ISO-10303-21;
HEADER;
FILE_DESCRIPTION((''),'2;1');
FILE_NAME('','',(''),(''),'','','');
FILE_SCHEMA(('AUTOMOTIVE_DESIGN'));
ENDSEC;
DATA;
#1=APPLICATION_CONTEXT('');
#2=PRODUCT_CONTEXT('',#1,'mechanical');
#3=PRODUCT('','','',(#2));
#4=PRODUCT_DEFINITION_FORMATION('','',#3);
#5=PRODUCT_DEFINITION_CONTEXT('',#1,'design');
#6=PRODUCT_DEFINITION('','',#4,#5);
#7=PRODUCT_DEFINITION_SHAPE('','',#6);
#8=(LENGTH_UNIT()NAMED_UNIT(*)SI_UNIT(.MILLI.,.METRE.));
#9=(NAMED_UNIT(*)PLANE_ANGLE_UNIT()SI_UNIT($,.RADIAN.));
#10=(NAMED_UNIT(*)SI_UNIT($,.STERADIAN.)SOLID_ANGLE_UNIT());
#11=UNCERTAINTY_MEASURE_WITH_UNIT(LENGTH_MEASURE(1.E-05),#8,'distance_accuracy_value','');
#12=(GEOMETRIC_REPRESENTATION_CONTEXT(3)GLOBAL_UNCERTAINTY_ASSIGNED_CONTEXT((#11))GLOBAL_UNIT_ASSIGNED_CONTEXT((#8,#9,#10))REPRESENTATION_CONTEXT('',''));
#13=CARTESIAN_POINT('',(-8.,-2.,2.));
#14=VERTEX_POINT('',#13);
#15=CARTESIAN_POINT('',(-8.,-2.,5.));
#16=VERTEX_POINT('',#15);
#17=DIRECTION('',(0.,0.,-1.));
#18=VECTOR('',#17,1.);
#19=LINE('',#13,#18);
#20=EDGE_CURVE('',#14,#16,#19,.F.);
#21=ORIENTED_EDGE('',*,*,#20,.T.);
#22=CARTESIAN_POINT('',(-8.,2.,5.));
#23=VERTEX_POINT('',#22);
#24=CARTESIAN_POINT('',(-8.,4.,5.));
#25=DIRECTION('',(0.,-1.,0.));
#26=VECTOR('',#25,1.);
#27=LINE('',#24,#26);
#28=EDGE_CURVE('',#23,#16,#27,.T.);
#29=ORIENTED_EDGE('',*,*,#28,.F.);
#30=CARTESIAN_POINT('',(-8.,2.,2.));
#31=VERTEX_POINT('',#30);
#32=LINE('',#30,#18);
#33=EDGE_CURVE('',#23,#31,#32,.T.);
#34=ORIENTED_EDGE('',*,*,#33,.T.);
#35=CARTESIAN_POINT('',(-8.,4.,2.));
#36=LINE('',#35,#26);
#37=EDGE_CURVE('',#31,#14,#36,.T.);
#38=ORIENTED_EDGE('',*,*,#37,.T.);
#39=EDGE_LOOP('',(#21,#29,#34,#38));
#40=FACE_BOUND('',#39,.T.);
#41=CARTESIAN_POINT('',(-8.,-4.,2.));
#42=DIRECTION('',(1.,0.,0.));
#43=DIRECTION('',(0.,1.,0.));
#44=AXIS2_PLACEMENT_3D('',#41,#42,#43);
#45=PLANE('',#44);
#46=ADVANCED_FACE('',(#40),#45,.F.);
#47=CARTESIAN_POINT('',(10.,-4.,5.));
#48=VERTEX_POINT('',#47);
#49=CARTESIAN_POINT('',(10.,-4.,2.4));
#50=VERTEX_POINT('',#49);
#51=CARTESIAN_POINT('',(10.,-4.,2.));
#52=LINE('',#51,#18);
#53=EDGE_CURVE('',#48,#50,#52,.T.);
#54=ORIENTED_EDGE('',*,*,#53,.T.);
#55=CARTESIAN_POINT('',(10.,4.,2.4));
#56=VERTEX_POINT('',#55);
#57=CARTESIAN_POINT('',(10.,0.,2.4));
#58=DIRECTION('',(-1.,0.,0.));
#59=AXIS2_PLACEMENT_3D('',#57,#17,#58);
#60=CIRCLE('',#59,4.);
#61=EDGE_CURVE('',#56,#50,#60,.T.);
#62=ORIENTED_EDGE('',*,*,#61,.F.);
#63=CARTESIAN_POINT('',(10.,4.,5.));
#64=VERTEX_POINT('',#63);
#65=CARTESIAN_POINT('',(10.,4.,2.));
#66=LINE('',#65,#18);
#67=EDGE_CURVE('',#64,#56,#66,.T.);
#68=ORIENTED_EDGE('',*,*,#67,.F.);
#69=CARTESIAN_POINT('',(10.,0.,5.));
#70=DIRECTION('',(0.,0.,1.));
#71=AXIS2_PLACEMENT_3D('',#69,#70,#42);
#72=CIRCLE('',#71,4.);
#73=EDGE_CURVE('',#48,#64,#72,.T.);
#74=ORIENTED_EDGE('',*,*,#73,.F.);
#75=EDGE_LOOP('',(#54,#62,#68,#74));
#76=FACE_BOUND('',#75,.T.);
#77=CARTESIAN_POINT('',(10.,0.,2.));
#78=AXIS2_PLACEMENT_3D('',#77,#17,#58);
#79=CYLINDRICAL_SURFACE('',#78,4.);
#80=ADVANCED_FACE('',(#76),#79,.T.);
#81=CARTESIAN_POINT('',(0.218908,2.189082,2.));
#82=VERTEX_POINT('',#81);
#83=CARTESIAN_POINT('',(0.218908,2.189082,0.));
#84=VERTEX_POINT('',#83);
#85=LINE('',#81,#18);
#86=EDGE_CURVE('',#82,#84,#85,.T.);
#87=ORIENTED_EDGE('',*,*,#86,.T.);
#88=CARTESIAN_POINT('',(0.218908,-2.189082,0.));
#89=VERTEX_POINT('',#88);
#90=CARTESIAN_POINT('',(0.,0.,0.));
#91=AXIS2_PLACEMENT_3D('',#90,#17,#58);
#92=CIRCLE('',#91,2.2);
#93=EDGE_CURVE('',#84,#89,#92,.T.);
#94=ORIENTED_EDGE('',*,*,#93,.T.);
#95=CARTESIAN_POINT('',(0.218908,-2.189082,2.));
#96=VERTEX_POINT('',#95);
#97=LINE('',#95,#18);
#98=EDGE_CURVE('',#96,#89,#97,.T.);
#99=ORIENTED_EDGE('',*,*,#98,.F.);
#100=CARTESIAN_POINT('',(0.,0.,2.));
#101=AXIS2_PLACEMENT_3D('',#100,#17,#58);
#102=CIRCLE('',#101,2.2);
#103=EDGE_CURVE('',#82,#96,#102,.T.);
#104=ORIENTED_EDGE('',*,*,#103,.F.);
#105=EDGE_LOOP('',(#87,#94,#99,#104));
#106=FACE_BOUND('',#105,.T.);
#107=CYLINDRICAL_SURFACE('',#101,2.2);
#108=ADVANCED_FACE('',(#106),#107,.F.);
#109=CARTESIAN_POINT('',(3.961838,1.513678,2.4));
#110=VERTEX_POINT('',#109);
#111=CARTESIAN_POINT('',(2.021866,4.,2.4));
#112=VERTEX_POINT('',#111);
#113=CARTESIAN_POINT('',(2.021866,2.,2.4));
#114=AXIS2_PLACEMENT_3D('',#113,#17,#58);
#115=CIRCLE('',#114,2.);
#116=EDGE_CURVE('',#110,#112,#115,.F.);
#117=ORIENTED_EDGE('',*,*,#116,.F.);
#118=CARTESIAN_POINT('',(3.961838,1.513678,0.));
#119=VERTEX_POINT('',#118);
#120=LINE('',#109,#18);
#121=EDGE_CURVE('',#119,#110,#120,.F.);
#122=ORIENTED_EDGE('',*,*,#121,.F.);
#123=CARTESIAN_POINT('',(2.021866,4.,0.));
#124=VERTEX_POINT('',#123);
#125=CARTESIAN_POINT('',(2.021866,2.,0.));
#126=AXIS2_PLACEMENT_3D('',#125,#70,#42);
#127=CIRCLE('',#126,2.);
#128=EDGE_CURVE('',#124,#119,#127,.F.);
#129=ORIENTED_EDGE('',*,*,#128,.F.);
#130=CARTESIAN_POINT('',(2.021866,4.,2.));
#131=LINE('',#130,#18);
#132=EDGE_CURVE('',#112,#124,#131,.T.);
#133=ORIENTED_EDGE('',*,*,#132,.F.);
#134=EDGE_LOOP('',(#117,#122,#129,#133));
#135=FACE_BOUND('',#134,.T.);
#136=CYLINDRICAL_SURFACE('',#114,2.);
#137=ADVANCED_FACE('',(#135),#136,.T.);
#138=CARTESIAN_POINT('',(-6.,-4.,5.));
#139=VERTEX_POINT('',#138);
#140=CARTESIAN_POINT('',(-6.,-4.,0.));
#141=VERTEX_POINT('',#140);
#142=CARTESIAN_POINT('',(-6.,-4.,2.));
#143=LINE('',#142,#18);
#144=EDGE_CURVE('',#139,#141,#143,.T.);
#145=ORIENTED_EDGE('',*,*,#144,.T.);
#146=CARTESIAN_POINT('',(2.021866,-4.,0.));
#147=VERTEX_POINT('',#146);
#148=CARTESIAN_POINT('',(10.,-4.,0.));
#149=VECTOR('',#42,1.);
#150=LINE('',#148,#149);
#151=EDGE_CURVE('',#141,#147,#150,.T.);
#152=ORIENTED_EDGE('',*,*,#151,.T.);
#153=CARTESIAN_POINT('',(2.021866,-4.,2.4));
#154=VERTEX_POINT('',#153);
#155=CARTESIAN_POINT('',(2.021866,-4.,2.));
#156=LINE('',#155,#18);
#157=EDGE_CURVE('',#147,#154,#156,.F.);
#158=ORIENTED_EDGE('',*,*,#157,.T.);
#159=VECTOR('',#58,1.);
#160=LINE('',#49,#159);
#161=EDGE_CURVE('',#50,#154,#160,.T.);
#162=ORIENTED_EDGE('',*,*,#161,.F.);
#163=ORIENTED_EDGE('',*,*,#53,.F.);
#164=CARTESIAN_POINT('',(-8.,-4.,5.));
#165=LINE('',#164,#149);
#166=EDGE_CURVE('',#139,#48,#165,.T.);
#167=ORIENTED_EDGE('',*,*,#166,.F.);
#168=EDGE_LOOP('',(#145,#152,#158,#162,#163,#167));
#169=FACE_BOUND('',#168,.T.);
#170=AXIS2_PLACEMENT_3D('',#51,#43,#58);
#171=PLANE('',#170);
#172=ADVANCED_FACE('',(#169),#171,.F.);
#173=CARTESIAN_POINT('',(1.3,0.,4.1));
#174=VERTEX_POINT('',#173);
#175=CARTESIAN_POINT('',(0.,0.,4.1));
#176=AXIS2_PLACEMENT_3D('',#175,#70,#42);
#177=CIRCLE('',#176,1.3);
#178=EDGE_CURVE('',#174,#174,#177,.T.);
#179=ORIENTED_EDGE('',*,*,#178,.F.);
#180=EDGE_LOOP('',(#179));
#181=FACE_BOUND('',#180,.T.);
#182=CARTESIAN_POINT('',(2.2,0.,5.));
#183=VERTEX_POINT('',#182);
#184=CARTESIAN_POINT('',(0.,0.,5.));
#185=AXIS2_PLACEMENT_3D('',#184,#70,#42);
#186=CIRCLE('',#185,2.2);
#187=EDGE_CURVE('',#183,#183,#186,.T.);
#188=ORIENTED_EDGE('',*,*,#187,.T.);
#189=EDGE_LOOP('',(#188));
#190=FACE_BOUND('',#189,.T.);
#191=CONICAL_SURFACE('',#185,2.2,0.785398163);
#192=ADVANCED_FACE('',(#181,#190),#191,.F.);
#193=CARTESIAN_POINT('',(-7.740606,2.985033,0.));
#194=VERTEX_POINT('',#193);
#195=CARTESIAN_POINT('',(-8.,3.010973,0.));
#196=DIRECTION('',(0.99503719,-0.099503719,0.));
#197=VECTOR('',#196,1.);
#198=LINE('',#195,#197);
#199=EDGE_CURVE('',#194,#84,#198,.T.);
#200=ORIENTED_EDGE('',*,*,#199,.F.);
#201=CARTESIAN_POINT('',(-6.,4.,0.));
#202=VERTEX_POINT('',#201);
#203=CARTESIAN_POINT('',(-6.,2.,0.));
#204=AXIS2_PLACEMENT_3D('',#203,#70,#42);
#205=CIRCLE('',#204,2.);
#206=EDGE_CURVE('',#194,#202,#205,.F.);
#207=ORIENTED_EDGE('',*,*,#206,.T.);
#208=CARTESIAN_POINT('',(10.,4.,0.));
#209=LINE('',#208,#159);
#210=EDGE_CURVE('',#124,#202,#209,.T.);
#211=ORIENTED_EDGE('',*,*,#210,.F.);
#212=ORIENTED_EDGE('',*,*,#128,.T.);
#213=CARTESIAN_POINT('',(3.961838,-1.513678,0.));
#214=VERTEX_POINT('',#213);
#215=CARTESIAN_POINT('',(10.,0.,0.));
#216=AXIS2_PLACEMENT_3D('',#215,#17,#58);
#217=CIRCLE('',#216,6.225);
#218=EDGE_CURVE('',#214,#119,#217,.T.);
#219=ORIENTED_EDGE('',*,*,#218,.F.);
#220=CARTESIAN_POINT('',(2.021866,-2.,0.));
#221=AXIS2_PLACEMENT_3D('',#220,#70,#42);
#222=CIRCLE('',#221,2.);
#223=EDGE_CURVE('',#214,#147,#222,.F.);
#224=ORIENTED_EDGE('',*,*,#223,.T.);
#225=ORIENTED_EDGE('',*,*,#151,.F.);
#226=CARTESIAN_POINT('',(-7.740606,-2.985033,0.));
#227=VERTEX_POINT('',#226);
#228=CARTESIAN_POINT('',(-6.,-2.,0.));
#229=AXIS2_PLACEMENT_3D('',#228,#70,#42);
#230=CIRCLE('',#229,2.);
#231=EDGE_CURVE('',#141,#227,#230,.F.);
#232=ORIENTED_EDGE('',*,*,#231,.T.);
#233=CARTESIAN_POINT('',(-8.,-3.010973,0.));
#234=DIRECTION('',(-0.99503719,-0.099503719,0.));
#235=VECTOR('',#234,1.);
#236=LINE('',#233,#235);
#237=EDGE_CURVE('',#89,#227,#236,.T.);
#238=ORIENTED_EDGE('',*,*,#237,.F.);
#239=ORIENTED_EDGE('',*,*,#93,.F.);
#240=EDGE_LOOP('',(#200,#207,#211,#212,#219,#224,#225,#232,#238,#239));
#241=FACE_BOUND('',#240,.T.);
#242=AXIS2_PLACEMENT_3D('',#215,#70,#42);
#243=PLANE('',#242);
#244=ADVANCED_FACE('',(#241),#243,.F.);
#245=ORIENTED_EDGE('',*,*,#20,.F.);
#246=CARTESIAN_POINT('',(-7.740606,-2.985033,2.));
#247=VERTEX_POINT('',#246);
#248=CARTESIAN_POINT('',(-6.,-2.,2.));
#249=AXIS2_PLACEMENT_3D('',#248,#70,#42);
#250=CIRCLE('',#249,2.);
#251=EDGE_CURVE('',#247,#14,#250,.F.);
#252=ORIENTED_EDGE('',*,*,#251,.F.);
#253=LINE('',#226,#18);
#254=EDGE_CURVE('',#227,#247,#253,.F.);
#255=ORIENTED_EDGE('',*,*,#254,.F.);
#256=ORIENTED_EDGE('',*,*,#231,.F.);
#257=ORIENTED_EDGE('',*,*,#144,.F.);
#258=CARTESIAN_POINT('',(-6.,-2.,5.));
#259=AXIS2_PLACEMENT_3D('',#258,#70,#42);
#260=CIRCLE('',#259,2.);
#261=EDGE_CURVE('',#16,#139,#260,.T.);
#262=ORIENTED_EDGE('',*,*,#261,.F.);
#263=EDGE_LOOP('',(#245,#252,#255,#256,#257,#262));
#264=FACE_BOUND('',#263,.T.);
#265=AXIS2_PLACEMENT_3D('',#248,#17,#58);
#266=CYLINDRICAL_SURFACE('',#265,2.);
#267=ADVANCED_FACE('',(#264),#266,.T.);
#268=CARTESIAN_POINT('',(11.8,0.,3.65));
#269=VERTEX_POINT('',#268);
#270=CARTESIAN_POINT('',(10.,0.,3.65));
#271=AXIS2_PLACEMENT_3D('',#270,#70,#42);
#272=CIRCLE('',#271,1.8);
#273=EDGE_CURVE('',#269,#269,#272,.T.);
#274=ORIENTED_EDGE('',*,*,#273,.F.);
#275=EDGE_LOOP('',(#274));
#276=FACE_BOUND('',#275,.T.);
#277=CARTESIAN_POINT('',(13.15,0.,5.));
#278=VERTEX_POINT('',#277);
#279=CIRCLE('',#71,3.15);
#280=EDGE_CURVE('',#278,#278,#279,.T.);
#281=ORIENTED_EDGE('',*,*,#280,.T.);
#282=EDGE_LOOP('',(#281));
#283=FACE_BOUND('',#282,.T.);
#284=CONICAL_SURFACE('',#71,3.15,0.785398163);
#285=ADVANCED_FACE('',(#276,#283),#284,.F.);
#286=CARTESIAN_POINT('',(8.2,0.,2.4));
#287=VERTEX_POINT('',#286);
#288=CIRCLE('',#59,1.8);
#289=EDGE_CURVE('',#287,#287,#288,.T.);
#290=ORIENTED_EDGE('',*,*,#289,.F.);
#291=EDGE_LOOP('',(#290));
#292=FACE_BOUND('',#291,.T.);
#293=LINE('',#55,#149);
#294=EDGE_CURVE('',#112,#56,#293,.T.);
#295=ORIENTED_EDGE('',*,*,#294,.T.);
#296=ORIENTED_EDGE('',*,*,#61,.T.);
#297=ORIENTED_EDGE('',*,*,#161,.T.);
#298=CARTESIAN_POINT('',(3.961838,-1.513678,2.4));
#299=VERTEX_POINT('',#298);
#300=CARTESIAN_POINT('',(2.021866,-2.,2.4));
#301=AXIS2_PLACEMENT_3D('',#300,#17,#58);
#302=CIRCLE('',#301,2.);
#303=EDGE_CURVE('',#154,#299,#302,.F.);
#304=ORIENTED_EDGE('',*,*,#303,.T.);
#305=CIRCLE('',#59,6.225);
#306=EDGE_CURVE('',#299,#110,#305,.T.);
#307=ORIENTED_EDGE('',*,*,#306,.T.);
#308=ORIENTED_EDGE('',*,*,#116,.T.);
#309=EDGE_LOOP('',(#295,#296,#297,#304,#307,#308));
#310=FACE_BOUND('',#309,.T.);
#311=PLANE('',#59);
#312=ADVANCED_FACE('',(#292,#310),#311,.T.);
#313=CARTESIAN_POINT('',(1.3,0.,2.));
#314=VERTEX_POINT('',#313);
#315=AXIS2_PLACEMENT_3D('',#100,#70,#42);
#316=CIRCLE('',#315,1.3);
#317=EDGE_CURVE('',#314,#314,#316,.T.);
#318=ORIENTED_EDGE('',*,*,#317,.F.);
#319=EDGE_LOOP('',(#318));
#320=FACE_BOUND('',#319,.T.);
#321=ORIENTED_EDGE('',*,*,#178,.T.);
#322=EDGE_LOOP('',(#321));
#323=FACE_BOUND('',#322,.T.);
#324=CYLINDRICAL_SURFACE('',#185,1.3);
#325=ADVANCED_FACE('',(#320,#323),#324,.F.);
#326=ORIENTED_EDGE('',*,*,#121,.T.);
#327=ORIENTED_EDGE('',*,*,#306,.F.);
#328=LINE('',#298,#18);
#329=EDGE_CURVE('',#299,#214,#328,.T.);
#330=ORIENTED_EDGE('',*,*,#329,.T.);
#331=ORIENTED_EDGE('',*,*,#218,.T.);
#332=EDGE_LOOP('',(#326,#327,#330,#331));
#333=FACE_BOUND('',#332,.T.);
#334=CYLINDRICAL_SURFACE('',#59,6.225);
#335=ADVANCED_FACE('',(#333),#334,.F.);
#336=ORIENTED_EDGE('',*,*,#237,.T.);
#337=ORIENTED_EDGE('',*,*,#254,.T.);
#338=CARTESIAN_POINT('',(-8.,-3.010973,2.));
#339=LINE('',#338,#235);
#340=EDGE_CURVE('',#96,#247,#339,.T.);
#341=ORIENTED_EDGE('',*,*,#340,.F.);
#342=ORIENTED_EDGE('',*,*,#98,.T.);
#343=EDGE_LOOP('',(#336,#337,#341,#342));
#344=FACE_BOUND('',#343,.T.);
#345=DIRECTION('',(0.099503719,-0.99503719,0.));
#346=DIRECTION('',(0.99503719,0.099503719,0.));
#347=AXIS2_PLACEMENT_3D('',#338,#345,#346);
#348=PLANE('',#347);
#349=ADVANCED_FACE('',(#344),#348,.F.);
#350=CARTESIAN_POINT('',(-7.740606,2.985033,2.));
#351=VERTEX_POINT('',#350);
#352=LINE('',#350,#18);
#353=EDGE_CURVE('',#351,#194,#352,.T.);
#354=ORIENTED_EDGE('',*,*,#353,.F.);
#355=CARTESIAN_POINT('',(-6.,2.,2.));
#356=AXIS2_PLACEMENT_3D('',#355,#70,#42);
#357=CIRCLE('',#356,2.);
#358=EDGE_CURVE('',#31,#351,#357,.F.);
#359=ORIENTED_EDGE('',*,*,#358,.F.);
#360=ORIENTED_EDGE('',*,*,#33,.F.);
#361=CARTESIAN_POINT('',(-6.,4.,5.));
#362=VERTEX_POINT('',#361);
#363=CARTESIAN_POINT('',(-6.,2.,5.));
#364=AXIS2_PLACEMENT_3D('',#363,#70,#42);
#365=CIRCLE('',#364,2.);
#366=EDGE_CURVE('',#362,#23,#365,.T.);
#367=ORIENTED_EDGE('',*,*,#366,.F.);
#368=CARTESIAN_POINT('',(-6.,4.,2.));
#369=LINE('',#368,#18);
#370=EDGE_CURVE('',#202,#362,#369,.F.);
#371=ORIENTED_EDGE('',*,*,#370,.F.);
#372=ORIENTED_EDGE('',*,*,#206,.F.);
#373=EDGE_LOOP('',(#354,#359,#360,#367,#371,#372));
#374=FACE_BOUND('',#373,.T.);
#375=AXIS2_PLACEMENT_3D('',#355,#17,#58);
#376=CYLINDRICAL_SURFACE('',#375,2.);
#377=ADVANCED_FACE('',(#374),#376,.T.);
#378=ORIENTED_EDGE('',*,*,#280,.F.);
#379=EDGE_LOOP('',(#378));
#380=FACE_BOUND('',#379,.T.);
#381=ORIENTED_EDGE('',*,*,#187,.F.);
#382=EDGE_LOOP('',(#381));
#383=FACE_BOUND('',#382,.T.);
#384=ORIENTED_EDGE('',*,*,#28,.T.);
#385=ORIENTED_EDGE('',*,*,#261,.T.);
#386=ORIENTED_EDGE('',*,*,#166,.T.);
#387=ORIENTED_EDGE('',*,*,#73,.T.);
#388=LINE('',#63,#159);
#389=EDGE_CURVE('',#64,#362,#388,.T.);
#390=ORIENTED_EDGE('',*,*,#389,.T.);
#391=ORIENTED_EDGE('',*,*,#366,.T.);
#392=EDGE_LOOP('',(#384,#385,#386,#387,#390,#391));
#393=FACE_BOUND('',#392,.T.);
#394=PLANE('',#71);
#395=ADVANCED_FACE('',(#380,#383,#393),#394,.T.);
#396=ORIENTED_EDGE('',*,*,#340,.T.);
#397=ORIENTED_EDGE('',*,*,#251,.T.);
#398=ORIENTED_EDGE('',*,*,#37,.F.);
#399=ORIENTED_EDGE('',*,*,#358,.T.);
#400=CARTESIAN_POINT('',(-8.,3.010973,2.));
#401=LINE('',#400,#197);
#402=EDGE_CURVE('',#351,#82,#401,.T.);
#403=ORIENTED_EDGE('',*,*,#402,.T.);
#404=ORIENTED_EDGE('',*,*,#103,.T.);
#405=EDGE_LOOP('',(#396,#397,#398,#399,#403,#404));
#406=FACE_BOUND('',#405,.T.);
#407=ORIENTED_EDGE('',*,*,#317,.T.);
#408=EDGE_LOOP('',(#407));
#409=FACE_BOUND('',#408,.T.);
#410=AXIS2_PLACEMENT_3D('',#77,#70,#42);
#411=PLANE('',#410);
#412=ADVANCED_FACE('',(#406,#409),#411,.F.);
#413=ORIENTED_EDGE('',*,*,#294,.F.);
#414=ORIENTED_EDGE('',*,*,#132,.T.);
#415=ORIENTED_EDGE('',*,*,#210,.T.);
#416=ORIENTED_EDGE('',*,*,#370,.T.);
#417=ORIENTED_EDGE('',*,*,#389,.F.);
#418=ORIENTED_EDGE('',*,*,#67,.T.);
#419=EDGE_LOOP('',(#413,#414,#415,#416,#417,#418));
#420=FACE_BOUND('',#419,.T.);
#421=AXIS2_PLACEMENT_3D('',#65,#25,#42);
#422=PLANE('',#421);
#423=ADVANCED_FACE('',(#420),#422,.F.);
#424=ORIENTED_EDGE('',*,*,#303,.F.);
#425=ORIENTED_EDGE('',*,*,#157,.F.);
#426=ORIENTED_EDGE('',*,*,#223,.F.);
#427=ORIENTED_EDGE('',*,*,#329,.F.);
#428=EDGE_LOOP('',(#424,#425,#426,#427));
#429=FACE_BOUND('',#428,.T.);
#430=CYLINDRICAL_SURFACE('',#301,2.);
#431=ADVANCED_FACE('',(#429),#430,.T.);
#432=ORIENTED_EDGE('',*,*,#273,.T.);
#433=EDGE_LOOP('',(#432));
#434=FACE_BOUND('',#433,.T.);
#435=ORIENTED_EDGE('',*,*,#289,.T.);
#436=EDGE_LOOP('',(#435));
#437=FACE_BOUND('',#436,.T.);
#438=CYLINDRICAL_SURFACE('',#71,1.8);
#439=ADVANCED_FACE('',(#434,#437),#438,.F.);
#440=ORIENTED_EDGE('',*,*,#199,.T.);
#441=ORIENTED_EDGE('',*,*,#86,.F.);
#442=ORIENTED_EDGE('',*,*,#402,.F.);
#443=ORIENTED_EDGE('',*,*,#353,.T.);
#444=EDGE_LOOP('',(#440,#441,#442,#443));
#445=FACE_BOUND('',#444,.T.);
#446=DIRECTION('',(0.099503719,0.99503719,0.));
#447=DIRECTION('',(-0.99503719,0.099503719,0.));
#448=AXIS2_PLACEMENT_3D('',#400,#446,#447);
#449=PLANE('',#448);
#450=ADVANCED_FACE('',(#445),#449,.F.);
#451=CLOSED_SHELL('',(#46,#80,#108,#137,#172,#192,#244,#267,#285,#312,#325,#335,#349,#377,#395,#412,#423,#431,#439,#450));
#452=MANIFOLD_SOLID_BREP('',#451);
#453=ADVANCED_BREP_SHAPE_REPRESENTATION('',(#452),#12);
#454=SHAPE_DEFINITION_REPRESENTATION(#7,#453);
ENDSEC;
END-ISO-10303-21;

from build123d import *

# Parameters (mm, degrees)
SKETCH1_R                                       = 1.725
BOSS_EXTRUDE1_DEPTH                             = 2
SKETCH2_R                                       = 1
SKETCH2_R_2                                     = 1.725
BOSS_EXTRUDE2_DEPTH                             = 3
SKETCH3_R                                       = 6.225
CUT_EXTRUDE1_DEPTH                              = 2.4
CSK_FOR_M3_FLAT_HEAD_MACHINE_SCREW2_D           = 3.6
CSK_FOR_M3_FLAT_HEAD_MACHINE_SCREW2_CSINK_D     = 6.3
CSK_FOR_M3_FLAT_HEAD_MACHINE_SCREW2_CSINK_ANGLE = 90
CSK_FOR_M2_FLAT_HEAD_MACHINE_SCREW1_D           = 2.6
CSK_FOR_M2_FLAT_HEAD_MACHINE_SCREW1_CSINK_D     = 4.4
CSK_FOR_M2_FLAT_HEAD_MACHINE_SCREW1_CSINK_ANGLE = 90
FILLET1_R                                       = 2


with BuildPart() as part:
    # Sketch1 → Boss-Extrude1 (new body)
    with BuildSketch(Plane.XY):
        with BuildLine():
            Line((10, 4), (-8, 4))
            Line((-8, 4), (-8, 3.010972637))
            Line((-8, 3.010972637), (0.218908182, 2.189081818))
            ThreePointArc((0.218908182, 2.189081818), (2.2, 0), (0.218908182, -2.189081818))
            Line((0.218908182, -2.189081818), (-8, -3.010972637))
            Line((-8, -3.010972637), (-8, -4))
            Line((-8, -4), (10, -4))
            ThreePointArc((10, -4), (14, 0), (10, 4))
        make_face()
        with Locations((10, 0)):
            Circle(SKETCH1_R, mode=Mode.SUBTRACT)
    extrude(amount=BOSS_EXTRUDE1_DEPTH)

    # Sketch2 → Boss-Extrude2 (add)
    with BuildSketch(Plane.XY.offset(2)):
        with BuildLine():
            Line((-8, 4), (-8, -4))
            Line((-8, -4), (10, -4))
            ThreePointArc((10, -4), (14, 0), (10, 4))
            Line((10, 4), (-8, 4))
        make_face()
        Circle(SKETCH2_R, mode=Mode.SUBTRACT)
        with Locations((10, 0)):
            Circle(SKETCH2_R_2, mode=Mode.SUBTRACT)
    extrude(amount=BOSS_EXTRUDE2_DEPTH)

    # Sketch3 → Cut-Extrude1 (cut)
    with BuildSketch(Plane(origin=(0, 0, 0), x_dir=(-1, 0, 0), z_dir=(0, 0, -1))):
        with Locations((-10, 0)):
            Circle(SKETCH3_R)
    extrude(amount=-CUT_EXTRUDE1_DEPTH, mode=Mode.SUBTRACT)

    # CSK for M3 Flat Head Machine Screw2 (through all)
    with Locations(Plane(origin=(10, 0, 5), x_dir=(1, 0, 0), z_dir=(0, 0, 1))):
        with Locations((0, 0)):
            CounterSinkHole(CSK_FOR_M3_FLAT_HEAD_MACHINE_SCREW2_D / 2, CSK_FOR_M3_FLAT_HEAD_MACHINE_SCREW2_CSINK_D / 2, counter_sink_angle=CSK_FOR_M3_FLAT_HEAD_MACHINE_SCREW2_CSINK_ANGLE)

    # CSK for M2 Flat Head Machine Screw1 (through all)
    with Locations(Plane.XY.offset(5)):
        with Locations((0, 0)):
            CounterSinkHole(CSK_FOR_M2_FLAT_HEAD_MACHINE_SCREW1_D / 2, CSK_FOR_M2_FLAT_HEAD_MACHINE_SCREW1_CSINK_D / 2, counter_sink_angle=CSK_FOR_M2_FLAT_HEAD_MACHINE_SCREW1_CSINK_ANGLE)

    # Fillet1
    fillet1_edges = [part.edges().sort_by_distance(p)[0] for p in [
        (5.230238476, 4, 1.2),
        (5.230238476, -4, 1.2),
        (-8, -4, 2.5),
        (-8, 4, 2.5),
    ]]
    fillet(fillet1_edges, radius=FILLET1_R)


solid = part.part
